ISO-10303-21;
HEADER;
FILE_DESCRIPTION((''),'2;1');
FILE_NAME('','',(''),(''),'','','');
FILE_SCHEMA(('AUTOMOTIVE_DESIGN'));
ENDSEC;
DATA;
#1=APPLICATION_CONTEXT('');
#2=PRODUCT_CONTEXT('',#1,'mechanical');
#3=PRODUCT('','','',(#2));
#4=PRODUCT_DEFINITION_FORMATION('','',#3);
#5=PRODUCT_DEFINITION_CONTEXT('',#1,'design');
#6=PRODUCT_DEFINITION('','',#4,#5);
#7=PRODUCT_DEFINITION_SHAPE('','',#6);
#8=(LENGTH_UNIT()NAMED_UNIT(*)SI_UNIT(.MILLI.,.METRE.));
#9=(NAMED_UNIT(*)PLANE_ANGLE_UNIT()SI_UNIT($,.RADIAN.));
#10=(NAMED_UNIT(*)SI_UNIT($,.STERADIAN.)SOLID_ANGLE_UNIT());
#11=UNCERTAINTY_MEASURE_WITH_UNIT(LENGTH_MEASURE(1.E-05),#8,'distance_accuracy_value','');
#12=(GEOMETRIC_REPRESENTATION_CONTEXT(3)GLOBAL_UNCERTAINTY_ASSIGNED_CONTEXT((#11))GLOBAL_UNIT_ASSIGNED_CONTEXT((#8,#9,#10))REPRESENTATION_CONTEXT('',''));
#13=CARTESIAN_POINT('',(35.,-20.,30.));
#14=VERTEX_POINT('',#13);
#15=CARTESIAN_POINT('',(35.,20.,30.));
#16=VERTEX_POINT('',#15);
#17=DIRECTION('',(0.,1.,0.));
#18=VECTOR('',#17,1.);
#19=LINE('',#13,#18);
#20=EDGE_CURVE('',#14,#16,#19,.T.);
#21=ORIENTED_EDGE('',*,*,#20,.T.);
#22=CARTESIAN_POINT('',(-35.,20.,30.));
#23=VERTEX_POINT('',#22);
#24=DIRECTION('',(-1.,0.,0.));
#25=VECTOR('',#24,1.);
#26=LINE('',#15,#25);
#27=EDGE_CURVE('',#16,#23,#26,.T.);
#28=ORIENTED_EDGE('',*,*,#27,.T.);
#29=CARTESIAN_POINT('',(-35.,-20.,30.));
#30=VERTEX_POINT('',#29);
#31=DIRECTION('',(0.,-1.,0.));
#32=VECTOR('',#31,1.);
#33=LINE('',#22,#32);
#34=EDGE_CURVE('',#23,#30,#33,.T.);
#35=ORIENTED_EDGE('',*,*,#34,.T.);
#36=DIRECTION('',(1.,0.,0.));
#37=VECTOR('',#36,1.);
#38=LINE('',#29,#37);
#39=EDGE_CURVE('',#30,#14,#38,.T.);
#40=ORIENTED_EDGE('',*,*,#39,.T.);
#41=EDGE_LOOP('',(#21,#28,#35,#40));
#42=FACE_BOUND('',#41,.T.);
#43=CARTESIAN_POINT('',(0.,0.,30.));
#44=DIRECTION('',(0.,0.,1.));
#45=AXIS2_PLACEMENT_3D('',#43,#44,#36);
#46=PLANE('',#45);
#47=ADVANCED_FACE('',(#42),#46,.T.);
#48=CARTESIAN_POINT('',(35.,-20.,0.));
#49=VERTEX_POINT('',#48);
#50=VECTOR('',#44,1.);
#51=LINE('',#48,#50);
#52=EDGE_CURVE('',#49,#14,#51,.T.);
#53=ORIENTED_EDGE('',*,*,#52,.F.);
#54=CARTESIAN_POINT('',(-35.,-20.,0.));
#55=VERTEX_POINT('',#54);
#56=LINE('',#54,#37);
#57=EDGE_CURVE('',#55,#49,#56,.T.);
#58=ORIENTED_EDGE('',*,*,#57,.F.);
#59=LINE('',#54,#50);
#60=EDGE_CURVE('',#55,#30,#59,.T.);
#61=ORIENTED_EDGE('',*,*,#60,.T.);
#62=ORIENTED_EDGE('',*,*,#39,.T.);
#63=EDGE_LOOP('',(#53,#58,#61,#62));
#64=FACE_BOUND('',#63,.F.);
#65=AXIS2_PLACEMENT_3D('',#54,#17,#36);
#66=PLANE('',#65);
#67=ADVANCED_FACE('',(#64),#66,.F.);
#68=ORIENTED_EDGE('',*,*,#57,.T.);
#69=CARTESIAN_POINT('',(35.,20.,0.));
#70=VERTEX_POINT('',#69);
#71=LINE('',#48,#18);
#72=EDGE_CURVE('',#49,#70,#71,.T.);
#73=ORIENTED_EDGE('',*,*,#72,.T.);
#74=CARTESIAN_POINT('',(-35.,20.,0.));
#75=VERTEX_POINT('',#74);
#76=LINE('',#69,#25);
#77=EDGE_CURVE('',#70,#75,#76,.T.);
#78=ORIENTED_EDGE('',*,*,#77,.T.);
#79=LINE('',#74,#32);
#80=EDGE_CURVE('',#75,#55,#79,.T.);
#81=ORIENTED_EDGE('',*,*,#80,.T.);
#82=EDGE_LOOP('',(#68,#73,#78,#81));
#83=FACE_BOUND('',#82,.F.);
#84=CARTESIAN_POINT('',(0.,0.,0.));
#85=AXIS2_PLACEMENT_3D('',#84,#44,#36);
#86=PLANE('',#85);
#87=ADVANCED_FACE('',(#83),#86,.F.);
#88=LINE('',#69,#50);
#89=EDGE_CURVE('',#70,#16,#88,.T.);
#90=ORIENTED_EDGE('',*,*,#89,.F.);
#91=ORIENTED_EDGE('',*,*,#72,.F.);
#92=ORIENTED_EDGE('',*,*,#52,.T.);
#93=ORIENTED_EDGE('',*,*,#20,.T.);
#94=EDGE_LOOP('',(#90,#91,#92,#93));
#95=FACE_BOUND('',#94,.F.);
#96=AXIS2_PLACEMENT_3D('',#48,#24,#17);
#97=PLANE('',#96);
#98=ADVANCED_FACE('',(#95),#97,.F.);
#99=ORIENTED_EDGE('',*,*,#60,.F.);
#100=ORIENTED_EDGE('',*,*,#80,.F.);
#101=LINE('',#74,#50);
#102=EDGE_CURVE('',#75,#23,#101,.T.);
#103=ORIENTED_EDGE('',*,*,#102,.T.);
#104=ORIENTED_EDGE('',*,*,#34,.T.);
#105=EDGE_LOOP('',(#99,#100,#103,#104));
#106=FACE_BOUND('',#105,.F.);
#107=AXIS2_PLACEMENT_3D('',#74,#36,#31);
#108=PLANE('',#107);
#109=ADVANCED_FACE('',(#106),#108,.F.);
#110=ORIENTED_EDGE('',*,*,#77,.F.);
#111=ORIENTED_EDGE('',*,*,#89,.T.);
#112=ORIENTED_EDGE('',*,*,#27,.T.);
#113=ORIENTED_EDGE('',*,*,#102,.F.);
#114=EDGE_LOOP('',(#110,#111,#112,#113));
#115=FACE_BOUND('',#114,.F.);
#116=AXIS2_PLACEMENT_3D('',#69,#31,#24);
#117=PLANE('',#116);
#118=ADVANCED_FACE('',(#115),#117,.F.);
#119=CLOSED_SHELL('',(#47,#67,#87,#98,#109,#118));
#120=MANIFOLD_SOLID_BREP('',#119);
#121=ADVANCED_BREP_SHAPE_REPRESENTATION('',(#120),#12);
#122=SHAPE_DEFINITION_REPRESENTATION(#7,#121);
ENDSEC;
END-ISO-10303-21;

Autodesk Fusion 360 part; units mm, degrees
sketch "Sketch1" plane through (0, 0, 0) normal (0, 0, 1) x (1, 0, 0)
  line L0 (35, 20) -> (-35, 20)
  line L1 (-35, 20) -> (-35, -20)
  line L2 (-35, -20) -> (35, -20)
  line L3 (35, -20) -> (35, 20)
  line L4 (35, 20) -> (-35, -20) construction
  line L5 (-35, 20) -> (35, -20) construction
  dimension "d1" = 40
  dimension "d2" = 70
extrude "Extrude1" add sketch "Sketch1" along normal blind 30
